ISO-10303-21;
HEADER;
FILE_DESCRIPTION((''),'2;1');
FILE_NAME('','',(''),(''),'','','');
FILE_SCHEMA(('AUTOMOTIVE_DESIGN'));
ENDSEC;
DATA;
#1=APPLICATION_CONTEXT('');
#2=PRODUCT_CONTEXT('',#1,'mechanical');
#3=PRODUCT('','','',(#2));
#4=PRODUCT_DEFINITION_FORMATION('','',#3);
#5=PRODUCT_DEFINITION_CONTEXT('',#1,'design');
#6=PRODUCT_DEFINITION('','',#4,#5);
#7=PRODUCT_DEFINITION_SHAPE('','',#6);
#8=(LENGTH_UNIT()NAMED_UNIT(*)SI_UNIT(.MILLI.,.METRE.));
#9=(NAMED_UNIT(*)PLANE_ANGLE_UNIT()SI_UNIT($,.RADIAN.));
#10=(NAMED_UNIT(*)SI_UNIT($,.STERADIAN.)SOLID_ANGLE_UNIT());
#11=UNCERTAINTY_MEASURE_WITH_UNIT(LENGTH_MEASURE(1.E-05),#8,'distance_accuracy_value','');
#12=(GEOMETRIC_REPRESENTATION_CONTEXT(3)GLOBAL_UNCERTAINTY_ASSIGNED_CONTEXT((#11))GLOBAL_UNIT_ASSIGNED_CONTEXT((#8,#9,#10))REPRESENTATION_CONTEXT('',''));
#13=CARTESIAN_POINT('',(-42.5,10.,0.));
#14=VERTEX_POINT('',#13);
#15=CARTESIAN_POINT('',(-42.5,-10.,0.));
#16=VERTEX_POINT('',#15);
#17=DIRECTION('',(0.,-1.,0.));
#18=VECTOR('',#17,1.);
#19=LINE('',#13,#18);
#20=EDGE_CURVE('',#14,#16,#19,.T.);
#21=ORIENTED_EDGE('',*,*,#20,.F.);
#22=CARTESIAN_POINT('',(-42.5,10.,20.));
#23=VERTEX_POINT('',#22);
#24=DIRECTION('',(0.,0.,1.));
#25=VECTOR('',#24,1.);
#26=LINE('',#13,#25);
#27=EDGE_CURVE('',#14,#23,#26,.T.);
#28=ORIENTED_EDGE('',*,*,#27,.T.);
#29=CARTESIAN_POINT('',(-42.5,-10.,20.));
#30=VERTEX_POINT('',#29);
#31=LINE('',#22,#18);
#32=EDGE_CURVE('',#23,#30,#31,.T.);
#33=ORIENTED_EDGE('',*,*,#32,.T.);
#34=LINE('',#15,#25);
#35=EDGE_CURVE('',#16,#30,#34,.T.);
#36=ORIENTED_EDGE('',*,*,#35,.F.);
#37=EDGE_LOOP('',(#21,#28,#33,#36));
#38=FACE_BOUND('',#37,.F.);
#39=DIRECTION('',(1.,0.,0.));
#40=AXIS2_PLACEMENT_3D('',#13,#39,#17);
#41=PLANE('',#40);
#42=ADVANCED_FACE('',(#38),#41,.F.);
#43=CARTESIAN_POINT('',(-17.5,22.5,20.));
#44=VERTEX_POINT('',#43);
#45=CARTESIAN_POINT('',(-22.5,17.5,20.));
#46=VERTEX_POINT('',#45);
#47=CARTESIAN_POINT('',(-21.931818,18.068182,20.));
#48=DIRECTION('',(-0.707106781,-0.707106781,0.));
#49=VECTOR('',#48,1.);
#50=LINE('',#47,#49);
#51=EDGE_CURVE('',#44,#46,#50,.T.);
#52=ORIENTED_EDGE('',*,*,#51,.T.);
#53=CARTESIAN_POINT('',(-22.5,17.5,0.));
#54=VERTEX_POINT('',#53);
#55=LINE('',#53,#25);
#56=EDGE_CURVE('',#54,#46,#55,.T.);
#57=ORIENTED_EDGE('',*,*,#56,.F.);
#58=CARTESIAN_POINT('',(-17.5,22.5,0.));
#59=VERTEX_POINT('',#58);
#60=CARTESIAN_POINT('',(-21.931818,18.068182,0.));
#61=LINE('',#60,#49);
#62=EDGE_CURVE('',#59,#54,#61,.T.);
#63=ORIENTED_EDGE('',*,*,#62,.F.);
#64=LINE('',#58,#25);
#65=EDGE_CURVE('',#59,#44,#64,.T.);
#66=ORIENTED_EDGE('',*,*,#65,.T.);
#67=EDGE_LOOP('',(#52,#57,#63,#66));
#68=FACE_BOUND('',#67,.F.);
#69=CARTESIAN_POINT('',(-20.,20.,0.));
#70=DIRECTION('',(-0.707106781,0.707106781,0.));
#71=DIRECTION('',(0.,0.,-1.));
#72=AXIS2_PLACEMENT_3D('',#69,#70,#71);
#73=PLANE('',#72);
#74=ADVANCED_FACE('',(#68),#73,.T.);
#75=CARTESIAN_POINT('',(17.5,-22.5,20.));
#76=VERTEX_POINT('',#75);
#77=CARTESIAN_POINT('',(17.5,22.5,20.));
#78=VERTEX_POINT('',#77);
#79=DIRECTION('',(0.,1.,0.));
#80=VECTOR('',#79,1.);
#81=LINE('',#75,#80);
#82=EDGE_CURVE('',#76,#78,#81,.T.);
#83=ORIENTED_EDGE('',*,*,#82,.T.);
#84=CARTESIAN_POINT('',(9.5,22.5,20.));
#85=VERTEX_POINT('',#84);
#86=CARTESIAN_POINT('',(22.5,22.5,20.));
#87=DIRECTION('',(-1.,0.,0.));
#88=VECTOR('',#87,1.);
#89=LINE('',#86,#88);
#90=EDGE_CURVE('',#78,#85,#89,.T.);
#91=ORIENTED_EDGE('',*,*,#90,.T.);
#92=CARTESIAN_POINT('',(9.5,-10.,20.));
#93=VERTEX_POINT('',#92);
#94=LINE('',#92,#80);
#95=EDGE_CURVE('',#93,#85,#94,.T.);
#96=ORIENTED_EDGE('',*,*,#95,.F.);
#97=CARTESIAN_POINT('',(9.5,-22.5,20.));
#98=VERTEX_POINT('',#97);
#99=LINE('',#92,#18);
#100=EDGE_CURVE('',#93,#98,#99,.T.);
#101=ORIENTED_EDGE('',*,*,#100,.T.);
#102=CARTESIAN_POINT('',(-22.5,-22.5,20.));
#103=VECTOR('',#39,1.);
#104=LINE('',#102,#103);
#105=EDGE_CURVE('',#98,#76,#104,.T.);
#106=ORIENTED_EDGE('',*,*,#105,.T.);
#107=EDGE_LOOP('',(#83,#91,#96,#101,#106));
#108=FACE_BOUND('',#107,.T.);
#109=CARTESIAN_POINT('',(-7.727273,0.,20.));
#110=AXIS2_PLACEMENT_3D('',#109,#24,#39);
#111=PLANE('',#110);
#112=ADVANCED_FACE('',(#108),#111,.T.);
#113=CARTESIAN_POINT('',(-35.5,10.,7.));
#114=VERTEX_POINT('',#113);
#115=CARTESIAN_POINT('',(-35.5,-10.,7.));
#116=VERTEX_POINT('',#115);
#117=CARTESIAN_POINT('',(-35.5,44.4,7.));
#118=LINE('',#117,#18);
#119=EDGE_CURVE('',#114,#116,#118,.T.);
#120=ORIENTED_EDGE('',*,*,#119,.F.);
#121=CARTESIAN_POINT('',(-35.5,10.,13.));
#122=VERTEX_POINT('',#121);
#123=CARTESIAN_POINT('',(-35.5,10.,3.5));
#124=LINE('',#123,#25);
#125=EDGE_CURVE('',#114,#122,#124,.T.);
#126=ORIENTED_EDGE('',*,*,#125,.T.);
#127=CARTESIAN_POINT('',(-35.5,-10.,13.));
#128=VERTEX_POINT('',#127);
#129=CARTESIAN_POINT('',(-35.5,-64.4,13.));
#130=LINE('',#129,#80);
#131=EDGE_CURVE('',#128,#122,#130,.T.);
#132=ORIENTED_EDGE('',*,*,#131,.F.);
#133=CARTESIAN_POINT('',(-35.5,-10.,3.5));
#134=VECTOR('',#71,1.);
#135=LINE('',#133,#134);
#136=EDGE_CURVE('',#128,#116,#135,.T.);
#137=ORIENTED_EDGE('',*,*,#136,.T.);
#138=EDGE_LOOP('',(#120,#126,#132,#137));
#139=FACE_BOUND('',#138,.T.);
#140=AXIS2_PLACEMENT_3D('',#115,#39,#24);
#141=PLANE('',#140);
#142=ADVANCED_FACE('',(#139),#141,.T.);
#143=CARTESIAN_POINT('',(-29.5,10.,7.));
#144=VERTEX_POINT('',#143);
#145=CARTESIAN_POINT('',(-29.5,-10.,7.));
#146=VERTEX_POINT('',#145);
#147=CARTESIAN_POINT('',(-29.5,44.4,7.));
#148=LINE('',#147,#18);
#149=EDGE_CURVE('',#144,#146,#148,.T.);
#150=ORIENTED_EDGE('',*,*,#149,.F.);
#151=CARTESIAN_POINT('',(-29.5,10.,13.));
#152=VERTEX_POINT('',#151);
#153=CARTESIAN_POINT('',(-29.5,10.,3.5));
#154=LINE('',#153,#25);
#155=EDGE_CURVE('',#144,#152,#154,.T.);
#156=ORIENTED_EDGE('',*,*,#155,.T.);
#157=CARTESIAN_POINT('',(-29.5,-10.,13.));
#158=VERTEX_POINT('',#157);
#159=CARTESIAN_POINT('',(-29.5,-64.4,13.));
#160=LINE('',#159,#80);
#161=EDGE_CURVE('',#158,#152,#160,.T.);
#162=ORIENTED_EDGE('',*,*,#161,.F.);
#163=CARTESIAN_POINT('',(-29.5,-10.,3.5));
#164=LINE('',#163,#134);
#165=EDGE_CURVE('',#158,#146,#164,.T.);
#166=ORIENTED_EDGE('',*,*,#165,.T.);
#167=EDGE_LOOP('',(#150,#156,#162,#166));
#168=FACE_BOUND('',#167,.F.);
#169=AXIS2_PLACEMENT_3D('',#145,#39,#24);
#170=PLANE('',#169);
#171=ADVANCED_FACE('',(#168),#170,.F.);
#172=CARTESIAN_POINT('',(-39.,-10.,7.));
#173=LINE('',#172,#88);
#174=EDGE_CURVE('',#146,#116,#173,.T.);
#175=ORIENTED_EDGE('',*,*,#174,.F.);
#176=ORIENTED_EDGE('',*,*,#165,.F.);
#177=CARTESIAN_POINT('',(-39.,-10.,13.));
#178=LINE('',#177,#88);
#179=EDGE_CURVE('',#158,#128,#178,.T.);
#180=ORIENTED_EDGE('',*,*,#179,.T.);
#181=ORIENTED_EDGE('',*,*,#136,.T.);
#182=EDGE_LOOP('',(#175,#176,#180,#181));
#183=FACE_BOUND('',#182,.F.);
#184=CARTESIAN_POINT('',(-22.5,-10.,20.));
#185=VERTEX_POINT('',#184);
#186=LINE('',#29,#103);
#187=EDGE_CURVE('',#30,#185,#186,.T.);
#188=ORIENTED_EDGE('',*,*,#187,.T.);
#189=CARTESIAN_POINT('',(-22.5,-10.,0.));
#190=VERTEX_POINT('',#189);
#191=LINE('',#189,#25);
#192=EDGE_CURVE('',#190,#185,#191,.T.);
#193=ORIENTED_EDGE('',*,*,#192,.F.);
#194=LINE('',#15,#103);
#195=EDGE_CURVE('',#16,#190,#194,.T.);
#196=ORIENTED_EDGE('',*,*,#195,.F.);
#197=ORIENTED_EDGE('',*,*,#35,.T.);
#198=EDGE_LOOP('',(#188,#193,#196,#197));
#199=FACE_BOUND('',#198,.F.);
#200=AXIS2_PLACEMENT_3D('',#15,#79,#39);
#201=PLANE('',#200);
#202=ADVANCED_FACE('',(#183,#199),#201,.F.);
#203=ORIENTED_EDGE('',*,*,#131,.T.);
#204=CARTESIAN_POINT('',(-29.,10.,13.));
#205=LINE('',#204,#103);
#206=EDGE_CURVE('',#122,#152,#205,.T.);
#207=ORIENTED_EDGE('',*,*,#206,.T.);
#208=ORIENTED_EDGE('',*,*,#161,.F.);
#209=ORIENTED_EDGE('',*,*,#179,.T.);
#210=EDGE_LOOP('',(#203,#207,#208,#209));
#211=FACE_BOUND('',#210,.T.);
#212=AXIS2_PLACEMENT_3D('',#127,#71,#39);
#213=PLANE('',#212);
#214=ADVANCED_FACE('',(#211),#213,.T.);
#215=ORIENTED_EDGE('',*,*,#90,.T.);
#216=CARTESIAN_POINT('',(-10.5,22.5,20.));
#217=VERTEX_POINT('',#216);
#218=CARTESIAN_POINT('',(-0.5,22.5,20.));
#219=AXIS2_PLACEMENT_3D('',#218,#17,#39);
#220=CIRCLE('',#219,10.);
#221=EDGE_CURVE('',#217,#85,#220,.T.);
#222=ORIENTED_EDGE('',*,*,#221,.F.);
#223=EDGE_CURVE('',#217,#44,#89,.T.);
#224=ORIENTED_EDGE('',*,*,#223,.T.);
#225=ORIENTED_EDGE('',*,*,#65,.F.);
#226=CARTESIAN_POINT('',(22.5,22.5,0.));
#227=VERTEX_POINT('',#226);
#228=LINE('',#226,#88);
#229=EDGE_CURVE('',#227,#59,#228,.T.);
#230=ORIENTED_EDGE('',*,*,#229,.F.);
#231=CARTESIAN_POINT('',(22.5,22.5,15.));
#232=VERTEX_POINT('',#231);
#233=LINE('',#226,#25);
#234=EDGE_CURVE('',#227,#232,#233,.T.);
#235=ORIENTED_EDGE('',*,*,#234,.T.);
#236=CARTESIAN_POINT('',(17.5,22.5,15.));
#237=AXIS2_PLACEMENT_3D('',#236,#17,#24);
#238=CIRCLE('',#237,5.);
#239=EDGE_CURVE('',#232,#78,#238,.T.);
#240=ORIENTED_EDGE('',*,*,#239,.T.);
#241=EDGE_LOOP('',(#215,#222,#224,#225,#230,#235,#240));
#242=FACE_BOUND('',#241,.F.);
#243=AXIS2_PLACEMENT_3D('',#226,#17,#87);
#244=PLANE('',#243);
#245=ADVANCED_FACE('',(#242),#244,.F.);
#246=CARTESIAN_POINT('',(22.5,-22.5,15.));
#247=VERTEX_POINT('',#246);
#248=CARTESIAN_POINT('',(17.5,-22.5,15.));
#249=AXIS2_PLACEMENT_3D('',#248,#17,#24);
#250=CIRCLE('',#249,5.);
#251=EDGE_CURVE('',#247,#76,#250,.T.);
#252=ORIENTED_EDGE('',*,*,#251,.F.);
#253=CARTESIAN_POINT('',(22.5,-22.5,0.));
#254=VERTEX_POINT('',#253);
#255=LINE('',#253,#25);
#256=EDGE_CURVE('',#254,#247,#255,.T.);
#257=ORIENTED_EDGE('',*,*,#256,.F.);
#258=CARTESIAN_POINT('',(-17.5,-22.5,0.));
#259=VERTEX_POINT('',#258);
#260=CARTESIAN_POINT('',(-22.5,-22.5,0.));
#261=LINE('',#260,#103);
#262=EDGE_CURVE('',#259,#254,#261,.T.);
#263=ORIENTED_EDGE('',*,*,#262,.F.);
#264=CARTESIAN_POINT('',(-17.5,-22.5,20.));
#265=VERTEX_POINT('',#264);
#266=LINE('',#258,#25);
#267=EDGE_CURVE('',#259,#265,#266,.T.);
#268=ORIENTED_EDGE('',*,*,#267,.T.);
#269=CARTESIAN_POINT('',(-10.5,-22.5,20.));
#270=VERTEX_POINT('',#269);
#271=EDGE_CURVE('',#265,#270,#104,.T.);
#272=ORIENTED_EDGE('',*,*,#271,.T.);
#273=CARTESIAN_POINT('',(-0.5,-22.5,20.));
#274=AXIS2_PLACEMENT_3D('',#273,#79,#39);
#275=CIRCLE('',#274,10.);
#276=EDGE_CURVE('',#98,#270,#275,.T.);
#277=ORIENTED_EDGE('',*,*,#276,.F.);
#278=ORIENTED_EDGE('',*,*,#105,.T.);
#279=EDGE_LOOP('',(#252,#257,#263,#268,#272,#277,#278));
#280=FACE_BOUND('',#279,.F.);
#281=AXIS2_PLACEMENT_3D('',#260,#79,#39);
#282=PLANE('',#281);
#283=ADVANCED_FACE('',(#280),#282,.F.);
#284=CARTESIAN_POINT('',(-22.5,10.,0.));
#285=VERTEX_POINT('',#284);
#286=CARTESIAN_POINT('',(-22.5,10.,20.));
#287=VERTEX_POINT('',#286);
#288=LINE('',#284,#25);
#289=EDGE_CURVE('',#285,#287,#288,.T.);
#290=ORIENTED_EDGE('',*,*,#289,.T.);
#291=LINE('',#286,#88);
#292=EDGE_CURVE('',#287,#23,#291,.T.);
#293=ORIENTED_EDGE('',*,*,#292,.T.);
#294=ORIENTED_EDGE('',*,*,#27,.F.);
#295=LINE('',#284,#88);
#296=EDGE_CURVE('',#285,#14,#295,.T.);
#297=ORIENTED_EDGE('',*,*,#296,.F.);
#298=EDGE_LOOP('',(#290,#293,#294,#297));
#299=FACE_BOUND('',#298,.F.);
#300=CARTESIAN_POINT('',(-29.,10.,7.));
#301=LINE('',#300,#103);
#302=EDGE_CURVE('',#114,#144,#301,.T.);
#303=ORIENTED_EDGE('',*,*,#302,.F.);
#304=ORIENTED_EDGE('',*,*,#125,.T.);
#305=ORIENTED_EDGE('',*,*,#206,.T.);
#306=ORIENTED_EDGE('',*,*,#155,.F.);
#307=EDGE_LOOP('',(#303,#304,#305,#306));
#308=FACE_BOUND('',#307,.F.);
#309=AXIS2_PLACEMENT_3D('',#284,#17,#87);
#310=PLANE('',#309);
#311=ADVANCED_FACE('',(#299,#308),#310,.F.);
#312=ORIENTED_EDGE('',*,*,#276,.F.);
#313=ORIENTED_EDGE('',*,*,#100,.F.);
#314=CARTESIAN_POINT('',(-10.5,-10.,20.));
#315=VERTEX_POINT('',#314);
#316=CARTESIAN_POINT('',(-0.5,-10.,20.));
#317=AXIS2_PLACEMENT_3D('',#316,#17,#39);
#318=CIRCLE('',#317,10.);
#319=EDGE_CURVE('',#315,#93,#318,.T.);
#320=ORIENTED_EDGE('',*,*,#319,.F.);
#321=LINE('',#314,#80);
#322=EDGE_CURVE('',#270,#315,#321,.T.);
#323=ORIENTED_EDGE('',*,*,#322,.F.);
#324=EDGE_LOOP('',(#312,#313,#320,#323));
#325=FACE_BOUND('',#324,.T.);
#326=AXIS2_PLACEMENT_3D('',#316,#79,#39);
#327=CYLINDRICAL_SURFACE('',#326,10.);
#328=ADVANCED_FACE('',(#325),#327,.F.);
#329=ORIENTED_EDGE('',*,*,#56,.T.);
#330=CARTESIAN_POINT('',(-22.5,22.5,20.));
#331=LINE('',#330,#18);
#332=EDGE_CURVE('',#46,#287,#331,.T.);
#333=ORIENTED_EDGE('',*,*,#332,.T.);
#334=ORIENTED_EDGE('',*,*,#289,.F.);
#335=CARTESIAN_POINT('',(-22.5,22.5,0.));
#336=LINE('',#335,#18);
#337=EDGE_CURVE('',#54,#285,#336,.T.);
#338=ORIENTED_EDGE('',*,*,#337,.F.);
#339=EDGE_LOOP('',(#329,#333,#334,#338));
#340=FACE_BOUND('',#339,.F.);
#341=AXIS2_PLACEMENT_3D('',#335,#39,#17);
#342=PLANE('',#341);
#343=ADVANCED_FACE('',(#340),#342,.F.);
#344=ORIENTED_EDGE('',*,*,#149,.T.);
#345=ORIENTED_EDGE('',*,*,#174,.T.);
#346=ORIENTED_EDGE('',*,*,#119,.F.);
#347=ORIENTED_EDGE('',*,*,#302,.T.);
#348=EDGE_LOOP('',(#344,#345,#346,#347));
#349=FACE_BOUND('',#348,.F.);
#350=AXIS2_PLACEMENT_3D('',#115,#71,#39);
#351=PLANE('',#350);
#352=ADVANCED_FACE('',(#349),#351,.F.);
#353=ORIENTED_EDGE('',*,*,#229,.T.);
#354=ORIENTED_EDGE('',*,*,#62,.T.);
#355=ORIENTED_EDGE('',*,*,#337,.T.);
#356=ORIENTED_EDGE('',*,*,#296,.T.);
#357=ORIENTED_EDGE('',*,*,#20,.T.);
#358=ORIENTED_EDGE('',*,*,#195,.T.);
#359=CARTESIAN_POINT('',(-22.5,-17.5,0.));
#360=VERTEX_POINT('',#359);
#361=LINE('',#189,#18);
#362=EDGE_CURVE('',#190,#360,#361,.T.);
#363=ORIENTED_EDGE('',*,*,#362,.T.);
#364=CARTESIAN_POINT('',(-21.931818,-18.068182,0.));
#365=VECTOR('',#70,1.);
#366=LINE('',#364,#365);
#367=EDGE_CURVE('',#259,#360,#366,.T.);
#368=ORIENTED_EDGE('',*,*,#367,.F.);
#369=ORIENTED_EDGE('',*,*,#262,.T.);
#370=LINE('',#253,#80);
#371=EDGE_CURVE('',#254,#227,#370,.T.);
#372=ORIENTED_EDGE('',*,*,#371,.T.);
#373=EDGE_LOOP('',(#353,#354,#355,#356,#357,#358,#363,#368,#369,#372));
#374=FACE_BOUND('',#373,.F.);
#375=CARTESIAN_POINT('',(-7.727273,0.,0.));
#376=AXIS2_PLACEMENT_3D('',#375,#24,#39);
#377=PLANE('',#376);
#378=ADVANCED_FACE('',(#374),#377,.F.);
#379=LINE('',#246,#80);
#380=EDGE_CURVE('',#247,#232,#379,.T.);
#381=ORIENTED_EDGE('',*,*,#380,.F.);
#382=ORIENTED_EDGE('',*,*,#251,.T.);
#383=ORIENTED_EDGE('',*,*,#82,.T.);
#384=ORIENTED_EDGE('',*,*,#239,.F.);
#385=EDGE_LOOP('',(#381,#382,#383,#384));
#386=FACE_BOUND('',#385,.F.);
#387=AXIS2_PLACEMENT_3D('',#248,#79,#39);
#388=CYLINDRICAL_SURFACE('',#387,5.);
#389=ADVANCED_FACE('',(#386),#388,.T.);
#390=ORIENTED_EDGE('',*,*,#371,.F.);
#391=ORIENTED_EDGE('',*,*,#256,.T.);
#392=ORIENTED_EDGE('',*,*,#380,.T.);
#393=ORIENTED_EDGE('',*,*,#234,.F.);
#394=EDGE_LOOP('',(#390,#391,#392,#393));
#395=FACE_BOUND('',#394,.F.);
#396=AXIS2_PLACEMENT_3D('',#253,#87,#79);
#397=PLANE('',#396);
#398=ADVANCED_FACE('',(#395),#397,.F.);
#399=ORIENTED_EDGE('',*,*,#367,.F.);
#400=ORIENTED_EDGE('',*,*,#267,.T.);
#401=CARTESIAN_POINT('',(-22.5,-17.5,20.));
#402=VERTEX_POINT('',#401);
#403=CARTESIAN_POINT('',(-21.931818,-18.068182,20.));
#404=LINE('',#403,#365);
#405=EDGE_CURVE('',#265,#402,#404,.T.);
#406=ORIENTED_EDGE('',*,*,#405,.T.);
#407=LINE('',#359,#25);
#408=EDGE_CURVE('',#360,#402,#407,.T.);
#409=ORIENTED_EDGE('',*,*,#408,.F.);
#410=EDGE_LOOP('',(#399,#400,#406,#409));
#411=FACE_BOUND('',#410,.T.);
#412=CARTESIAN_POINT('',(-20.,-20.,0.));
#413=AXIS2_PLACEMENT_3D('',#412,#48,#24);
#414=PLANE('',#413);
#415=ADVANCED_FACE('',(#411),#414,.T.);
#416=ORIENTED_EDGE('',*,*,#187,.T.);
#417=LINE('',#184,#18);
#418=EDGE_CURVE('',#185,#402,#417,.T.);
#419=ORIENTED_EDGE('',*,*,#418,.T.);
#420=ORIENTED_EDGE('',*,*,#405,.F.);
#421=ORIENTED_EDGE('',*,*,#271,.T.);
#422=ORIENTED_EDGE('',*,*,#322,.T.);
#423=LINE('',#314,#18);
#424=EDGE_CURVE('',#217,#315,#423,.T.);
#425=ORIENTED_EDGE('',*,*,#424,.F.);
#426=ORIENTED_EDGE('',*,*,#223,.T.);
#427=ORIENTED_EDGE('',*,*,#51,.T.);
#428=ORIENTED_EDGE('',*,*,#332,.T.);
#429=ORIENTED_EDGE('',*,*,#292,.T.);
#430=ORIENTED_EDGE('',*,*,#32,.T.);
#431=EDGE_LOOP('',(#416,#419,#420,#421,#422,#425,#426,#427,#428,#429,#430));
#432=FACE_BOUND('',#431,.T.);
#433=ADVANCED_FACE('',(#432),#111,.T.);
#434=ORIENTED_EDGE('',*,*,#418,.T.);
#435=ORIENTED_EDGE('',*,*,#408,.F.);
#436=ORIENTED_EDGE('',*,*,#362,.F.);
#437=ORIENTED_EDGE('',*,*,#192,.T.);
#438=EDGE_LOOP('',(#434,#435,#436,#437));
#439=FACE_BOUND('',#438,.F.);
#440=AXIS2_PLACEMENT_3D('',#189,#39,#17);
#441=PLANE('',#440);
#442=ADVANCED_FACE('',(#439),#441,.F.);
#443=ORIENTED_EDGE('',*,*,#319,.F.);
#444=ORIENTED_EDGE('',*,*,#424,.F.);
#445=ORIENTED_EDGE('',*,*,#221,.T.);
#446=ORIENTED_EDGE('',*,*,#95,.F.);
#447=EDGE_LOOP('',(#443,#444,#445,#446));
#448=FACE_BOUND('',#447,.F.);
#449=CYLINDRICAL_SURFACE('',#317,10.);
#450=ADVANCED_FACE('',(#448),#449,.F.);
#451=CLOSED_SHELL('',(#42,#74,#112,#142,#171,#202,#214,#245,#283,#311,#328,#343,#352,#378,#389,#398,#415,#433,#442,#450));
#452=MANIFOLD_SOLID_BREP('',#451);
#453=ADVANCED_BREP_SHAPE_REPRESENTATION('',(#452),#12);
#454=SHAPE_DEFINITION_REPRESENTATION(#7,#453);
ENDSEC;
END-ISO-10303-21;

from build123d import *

# Parameters (mm, degrees)
F1_DEPTH = 20
F2_SIZE  = 5
F3_R     = 5
F4_R     = 10
F4_W     = 6
F4_H     = 6
F5_DEPTH = 54.4


with BuildPart() as f1:
    # F0 (on Top) → F1 (new body)
    with BuildSketch(Plane.XY):
        Polygon((-22.5, -22.5), (22.5, -22.5), (22.5, 22.5), (-22.5, 22.5), (-22.5, 10), (-42.5, 10), (-42.5, -10), (-22.5, -10), align=None)
    extrude(amount=F1_DEPTH)

    # F2
    f2_edges = [f1.edges().sort_by_distance(p)[0] for p in [
        (-22.5, -22.5, 10),
        (-22.5, 22.5, 10),
    ]]
    chamfer(f2_edges, length=F2_SIZE)

    # F3
    f3_edges = [f1.edges().sort_by_distance(p)[0] for p in [
        (22.5, 0, 20),
    ]]
    fillet(f3_edges, radius=F3_R)

    # F4 (on face) → F5 (cut, symmetric)
    with BuildSketch(Plane.XZ.offset(10)):
        with Locations((-0.5, 20)):
            Circle(F4_R)
        with Locations((-32.5, 10)):
            Rectangle(F4_W, F4_H)
    extrude(amount=F5_DEPTH, both=True, mode=Mode.SUBTRACT)


solid = f1.part
